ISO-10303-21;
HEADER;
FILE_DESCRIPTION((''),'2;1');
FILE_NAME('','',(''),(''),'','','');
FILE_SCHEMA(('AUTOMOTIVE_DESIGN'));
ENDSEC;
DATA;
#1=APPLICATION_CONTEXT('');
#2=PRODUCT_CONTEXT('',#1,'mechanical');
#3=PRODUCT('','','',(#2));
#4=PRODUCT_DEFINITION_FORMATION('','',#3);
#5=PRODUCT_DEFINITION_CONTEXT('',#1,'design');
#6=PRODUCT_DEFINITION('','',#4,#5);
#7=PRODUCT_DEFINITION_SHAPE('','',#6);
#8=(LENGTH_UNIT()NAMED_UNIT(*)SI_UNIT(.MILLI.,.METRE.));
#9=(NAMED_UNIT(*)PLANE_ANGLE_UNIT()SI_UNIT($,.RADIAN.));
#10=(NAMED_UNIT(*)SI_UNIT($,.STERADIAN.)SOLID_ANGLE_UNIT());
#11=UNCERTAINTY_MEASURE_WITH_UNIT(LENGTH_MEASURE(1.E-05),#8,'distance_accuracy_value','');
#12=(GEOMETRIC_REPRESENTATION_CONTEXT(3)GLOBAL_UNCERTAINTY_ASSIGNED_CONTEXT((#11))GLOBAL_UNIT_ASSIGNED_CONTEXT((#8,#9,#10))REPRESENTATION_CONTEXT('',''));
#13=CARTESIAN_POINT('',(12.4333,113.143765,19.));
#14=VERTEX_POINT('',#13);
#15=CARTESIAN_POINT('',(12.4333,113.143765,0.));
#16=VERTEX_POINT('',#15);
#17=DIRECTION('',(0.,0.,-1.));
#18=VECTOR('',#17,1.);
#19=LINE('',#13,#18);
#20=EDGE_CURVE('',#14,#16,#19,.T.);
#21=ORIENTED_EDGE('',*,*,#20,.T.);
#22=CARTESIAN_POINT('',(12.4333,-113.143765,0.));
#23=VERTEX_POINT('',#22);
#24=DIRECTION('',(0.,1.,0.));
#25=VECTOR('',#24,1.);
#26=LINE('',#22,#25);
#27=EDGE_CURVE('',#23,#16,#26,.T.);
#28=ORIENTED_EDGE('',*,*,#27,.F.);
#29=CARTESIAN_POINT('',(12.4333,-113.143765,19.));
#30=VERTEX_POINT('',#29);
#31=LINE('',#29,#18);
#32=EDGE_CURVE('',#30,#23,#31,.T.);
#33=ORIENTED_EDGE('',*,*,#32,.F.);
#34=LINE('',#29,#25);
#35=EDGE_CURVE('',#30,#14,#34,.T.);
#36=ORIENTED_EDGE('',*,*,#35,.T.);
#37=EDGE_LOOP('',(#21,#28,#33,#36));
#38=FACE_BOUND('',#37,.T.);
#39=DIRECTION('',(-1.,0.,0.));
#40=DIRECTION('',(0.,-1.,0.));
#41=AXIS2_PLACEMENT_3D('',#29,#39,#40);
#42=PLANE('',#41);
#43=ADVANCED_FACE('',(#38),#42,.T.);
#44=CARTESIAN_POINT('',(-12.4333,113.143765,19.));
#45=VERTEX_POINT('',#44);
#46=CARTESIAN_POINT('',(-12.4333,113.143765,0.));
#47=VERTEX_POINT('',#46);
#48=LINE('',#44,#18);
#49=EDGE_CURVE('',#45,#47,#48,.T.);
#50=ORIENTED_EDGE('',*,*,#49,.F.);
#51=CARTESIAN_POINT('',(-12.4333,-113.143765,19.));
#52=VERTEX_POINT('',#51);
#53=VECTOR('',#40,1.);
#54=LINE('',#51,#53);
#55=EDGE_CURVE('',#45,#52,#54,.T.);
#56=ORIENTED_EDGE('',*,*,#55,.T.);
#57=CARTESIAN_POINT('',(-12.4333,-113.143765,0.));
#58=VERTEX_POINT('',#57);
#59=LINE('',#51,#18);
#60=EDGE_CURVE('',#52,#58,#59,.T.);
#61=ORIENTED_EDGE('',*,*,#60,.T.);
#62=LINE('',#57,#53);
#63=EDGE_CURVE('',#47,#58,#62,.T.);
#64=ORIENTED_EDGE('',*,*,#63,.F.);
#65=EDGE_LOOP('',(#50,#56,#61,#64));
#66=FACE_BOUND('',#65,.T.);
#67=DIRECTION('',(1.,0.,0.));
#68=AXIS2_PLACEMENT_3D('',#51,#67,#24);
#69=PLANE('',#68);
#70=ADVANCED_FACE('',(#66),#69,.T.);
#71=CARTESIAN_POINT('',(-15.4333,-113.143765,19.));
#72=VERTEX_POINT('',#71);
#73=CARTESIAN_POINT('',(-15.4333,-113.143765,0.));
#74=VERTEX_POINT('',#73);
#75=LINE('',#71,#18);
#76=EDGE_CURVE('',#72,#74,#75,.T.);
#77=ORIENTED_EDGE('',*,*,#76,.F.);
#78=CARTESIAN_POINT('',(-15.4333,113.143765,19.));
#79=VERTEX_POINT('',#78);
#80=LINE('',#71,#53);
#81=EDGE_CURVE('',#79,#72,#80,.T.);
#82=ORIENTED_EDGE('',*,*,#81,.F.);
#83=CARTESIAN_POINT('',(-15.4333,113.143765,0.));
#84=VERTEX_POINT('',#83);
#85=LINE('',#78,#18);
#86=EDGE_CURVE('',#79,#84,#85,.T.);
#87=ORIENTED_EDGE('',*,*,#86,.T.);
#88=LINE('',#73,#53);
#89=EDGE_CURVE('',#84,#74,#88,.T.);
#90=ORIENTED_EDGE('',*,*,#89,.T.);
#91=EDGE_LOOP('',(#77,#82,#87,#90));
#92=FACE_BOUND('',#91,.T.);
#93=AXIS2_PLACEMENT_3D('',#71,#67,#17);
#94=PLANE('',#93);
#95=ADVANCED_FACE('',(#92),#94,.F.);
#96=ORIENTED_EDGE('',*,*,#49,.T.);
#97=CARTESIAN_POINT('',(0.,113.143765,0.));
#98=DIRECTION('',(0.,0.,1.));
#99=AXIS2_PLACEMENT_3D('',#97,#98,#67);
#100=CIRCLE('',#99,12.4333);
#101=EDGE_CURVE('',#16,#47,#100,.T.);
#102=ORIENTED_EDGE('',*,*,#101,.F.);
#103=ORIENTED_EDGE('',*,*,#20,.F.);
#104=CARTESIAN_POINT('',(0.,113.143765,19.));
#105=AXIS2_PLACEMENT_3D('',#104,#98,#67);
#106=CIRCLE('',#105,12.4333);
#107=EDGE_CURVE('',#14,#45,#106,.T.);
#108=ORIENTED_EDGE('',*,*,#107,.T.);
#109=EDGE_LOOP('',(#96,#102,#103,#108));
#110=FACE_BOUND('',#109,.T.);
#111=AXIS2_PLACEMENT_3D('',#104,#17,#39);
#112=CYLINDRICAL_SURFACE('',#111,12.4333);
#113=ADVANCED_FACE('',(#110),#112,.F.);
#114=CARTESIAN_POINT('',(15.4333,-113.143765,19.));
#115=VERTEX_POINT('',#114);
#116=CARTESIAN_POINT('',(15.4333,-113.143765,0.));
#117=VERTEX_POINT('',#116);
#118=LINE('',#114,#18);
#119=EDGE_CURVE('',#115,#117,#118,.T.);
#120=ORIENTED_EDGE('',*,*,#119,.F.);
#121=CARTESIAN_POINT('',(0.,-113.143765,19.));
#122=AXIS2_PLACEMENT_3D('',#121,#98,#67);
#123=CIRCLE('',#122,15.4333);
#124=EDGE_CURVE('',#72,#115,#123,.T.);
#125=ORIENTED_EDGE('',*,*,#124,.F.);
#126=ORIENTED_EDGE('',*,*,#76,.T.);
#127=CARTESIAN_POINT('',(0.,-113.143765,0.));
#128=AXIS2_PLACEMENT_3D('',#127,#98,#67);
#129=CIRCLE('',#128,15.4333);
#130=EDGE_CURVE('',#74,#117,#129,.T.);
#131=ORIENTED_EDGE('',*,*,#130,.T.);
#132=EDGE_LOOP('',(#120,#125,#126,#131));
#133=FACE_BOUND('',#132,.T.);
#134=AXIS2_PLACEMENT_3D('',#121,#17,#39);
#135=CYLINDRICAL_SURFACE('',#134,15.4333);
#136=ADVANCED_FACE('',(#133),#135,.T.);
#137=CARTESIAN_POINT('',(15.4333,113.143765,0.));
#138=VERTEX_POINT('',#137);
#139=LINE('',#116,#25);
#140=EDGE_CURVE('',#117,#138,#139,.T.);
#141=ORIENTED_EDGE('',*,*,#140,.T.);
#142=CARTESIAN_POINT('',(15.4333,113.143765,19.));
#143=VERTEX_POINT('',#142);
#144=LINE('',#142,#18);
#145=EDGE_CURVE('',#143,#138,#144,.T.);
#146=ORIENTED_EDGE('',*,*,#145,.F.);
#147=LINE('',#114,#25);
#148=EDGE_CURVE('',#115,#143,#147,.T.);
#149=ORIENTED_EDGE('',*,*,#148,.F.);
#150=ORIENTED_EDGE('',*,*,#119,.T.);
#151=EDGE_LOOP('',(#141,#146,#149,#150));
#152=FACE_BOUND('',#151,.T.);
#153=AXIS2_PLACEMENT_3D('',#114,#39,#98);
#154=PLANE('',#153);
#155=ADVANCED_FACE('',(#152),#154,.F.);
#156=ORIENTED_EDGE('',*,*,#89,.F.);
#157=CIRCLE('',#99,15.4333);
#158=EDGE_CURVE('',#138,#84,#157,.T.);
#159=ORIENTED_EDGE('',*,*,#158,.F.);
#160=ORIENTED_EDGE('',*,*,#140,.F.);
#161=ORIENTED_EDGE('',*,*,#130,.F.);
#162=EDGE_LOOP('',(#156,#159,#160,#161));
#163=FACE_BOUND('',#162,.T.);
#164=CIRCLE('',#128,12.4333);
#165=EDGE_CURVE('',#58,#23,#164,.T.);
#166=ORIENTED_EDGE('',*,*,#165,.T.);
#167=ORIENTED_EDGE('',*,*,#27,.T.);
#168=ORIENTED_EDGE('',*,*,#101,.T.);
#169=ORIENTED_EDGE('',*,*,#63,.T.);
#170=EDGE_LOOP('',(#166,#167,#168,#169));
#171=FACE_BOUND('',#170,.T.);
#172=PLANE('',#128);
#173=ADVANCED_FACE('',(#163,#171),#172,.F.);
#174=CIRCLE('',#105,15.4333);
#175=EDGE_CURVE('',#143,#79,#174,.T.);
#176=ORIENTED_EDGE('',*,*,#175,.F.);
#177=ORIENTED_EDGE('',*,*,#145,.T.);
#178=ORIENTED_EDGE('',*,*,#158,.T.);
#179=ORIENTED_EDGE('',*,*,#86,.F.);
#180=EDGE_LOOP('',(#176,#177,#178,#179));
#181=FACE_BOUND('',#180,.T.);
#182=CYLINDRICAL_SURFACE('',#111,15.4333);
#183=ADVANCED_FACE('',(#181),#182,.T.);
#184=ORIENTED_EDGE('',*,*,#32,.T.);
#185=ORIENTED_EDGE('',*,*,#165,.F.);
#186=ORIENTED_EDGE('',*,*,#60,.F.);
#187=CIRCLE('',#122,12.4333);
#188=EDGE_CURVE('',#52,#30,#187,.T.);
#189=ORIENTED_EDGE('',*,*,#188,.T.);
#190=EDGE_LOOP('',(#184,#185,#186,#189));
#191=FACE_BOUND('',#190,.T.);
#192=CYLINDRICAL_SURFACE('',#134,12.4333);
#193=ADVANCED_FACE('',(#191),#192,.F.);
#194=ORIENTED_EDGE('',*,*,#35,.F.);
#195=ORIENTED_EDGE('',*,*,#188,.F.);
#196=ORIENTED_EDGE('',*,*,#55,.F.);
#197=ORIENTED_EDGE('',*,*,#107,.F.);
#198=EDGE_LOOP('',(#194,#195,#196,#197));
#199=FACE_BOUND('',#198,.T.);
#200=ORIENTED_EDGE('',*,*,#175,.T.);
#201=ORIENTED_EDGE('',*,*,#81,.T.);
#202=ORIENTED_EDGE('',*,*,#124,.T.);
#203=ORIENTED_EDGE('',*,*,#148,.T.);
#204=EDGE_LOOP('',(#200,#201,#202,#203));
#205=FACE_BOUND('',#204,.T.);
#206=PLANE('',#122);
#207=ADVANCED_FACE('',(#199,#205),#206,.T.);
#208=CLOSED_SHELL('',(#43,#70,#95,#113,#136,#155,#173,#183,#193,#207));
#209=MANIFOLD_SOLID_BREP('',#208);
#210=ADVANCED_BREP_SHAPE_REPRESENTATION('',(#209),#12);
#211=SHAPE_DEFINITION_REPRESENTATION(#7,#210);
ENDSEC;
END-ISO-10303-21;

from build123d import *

# Parameters (mm, degrees)
BOSS_EXTRUDE1_DEPTH = 19


with BuildPart() as part:
    # Sketch1 → Boss-Extrude1 (new body)
    with BuildSketch(Plane.XY):
        with BuildLine():
            Line((-15.4333, -113.143764564), (-15.4333, 113.143764564))
            ThreePointArc((-15.4333, 113.143764564), (0, 128.577064564), (15.4333, 113.143764564))
            Line((15.4333, 113.143764564), (15.4333, -113.143764564))
            ThreePointArc((15.4333, -113.143764564), (0, -128.577064564), (-15.4333, -113.143764564))
        make_face()
        with BuildLine():
            Line((-12.4333, -113.143764564), (-12.4333, 113.143764564))
            ThreePointArc((-12.4333, 113.143764564), (0, 125.577064564), (12.4333, 113.143764564))
            Line((12.4333, 113.143764564), (12.4333, -113.143764564))
            ThreePointArc((12.4333, -113.143764564), (0, -125.577064564), (-12.4333, -113.143764564))
        make_face(mode=Mode.SUBTRACT)
    extrude(amount=BOSS_EXTRUDE1_DEPTH)


solid = part.part
